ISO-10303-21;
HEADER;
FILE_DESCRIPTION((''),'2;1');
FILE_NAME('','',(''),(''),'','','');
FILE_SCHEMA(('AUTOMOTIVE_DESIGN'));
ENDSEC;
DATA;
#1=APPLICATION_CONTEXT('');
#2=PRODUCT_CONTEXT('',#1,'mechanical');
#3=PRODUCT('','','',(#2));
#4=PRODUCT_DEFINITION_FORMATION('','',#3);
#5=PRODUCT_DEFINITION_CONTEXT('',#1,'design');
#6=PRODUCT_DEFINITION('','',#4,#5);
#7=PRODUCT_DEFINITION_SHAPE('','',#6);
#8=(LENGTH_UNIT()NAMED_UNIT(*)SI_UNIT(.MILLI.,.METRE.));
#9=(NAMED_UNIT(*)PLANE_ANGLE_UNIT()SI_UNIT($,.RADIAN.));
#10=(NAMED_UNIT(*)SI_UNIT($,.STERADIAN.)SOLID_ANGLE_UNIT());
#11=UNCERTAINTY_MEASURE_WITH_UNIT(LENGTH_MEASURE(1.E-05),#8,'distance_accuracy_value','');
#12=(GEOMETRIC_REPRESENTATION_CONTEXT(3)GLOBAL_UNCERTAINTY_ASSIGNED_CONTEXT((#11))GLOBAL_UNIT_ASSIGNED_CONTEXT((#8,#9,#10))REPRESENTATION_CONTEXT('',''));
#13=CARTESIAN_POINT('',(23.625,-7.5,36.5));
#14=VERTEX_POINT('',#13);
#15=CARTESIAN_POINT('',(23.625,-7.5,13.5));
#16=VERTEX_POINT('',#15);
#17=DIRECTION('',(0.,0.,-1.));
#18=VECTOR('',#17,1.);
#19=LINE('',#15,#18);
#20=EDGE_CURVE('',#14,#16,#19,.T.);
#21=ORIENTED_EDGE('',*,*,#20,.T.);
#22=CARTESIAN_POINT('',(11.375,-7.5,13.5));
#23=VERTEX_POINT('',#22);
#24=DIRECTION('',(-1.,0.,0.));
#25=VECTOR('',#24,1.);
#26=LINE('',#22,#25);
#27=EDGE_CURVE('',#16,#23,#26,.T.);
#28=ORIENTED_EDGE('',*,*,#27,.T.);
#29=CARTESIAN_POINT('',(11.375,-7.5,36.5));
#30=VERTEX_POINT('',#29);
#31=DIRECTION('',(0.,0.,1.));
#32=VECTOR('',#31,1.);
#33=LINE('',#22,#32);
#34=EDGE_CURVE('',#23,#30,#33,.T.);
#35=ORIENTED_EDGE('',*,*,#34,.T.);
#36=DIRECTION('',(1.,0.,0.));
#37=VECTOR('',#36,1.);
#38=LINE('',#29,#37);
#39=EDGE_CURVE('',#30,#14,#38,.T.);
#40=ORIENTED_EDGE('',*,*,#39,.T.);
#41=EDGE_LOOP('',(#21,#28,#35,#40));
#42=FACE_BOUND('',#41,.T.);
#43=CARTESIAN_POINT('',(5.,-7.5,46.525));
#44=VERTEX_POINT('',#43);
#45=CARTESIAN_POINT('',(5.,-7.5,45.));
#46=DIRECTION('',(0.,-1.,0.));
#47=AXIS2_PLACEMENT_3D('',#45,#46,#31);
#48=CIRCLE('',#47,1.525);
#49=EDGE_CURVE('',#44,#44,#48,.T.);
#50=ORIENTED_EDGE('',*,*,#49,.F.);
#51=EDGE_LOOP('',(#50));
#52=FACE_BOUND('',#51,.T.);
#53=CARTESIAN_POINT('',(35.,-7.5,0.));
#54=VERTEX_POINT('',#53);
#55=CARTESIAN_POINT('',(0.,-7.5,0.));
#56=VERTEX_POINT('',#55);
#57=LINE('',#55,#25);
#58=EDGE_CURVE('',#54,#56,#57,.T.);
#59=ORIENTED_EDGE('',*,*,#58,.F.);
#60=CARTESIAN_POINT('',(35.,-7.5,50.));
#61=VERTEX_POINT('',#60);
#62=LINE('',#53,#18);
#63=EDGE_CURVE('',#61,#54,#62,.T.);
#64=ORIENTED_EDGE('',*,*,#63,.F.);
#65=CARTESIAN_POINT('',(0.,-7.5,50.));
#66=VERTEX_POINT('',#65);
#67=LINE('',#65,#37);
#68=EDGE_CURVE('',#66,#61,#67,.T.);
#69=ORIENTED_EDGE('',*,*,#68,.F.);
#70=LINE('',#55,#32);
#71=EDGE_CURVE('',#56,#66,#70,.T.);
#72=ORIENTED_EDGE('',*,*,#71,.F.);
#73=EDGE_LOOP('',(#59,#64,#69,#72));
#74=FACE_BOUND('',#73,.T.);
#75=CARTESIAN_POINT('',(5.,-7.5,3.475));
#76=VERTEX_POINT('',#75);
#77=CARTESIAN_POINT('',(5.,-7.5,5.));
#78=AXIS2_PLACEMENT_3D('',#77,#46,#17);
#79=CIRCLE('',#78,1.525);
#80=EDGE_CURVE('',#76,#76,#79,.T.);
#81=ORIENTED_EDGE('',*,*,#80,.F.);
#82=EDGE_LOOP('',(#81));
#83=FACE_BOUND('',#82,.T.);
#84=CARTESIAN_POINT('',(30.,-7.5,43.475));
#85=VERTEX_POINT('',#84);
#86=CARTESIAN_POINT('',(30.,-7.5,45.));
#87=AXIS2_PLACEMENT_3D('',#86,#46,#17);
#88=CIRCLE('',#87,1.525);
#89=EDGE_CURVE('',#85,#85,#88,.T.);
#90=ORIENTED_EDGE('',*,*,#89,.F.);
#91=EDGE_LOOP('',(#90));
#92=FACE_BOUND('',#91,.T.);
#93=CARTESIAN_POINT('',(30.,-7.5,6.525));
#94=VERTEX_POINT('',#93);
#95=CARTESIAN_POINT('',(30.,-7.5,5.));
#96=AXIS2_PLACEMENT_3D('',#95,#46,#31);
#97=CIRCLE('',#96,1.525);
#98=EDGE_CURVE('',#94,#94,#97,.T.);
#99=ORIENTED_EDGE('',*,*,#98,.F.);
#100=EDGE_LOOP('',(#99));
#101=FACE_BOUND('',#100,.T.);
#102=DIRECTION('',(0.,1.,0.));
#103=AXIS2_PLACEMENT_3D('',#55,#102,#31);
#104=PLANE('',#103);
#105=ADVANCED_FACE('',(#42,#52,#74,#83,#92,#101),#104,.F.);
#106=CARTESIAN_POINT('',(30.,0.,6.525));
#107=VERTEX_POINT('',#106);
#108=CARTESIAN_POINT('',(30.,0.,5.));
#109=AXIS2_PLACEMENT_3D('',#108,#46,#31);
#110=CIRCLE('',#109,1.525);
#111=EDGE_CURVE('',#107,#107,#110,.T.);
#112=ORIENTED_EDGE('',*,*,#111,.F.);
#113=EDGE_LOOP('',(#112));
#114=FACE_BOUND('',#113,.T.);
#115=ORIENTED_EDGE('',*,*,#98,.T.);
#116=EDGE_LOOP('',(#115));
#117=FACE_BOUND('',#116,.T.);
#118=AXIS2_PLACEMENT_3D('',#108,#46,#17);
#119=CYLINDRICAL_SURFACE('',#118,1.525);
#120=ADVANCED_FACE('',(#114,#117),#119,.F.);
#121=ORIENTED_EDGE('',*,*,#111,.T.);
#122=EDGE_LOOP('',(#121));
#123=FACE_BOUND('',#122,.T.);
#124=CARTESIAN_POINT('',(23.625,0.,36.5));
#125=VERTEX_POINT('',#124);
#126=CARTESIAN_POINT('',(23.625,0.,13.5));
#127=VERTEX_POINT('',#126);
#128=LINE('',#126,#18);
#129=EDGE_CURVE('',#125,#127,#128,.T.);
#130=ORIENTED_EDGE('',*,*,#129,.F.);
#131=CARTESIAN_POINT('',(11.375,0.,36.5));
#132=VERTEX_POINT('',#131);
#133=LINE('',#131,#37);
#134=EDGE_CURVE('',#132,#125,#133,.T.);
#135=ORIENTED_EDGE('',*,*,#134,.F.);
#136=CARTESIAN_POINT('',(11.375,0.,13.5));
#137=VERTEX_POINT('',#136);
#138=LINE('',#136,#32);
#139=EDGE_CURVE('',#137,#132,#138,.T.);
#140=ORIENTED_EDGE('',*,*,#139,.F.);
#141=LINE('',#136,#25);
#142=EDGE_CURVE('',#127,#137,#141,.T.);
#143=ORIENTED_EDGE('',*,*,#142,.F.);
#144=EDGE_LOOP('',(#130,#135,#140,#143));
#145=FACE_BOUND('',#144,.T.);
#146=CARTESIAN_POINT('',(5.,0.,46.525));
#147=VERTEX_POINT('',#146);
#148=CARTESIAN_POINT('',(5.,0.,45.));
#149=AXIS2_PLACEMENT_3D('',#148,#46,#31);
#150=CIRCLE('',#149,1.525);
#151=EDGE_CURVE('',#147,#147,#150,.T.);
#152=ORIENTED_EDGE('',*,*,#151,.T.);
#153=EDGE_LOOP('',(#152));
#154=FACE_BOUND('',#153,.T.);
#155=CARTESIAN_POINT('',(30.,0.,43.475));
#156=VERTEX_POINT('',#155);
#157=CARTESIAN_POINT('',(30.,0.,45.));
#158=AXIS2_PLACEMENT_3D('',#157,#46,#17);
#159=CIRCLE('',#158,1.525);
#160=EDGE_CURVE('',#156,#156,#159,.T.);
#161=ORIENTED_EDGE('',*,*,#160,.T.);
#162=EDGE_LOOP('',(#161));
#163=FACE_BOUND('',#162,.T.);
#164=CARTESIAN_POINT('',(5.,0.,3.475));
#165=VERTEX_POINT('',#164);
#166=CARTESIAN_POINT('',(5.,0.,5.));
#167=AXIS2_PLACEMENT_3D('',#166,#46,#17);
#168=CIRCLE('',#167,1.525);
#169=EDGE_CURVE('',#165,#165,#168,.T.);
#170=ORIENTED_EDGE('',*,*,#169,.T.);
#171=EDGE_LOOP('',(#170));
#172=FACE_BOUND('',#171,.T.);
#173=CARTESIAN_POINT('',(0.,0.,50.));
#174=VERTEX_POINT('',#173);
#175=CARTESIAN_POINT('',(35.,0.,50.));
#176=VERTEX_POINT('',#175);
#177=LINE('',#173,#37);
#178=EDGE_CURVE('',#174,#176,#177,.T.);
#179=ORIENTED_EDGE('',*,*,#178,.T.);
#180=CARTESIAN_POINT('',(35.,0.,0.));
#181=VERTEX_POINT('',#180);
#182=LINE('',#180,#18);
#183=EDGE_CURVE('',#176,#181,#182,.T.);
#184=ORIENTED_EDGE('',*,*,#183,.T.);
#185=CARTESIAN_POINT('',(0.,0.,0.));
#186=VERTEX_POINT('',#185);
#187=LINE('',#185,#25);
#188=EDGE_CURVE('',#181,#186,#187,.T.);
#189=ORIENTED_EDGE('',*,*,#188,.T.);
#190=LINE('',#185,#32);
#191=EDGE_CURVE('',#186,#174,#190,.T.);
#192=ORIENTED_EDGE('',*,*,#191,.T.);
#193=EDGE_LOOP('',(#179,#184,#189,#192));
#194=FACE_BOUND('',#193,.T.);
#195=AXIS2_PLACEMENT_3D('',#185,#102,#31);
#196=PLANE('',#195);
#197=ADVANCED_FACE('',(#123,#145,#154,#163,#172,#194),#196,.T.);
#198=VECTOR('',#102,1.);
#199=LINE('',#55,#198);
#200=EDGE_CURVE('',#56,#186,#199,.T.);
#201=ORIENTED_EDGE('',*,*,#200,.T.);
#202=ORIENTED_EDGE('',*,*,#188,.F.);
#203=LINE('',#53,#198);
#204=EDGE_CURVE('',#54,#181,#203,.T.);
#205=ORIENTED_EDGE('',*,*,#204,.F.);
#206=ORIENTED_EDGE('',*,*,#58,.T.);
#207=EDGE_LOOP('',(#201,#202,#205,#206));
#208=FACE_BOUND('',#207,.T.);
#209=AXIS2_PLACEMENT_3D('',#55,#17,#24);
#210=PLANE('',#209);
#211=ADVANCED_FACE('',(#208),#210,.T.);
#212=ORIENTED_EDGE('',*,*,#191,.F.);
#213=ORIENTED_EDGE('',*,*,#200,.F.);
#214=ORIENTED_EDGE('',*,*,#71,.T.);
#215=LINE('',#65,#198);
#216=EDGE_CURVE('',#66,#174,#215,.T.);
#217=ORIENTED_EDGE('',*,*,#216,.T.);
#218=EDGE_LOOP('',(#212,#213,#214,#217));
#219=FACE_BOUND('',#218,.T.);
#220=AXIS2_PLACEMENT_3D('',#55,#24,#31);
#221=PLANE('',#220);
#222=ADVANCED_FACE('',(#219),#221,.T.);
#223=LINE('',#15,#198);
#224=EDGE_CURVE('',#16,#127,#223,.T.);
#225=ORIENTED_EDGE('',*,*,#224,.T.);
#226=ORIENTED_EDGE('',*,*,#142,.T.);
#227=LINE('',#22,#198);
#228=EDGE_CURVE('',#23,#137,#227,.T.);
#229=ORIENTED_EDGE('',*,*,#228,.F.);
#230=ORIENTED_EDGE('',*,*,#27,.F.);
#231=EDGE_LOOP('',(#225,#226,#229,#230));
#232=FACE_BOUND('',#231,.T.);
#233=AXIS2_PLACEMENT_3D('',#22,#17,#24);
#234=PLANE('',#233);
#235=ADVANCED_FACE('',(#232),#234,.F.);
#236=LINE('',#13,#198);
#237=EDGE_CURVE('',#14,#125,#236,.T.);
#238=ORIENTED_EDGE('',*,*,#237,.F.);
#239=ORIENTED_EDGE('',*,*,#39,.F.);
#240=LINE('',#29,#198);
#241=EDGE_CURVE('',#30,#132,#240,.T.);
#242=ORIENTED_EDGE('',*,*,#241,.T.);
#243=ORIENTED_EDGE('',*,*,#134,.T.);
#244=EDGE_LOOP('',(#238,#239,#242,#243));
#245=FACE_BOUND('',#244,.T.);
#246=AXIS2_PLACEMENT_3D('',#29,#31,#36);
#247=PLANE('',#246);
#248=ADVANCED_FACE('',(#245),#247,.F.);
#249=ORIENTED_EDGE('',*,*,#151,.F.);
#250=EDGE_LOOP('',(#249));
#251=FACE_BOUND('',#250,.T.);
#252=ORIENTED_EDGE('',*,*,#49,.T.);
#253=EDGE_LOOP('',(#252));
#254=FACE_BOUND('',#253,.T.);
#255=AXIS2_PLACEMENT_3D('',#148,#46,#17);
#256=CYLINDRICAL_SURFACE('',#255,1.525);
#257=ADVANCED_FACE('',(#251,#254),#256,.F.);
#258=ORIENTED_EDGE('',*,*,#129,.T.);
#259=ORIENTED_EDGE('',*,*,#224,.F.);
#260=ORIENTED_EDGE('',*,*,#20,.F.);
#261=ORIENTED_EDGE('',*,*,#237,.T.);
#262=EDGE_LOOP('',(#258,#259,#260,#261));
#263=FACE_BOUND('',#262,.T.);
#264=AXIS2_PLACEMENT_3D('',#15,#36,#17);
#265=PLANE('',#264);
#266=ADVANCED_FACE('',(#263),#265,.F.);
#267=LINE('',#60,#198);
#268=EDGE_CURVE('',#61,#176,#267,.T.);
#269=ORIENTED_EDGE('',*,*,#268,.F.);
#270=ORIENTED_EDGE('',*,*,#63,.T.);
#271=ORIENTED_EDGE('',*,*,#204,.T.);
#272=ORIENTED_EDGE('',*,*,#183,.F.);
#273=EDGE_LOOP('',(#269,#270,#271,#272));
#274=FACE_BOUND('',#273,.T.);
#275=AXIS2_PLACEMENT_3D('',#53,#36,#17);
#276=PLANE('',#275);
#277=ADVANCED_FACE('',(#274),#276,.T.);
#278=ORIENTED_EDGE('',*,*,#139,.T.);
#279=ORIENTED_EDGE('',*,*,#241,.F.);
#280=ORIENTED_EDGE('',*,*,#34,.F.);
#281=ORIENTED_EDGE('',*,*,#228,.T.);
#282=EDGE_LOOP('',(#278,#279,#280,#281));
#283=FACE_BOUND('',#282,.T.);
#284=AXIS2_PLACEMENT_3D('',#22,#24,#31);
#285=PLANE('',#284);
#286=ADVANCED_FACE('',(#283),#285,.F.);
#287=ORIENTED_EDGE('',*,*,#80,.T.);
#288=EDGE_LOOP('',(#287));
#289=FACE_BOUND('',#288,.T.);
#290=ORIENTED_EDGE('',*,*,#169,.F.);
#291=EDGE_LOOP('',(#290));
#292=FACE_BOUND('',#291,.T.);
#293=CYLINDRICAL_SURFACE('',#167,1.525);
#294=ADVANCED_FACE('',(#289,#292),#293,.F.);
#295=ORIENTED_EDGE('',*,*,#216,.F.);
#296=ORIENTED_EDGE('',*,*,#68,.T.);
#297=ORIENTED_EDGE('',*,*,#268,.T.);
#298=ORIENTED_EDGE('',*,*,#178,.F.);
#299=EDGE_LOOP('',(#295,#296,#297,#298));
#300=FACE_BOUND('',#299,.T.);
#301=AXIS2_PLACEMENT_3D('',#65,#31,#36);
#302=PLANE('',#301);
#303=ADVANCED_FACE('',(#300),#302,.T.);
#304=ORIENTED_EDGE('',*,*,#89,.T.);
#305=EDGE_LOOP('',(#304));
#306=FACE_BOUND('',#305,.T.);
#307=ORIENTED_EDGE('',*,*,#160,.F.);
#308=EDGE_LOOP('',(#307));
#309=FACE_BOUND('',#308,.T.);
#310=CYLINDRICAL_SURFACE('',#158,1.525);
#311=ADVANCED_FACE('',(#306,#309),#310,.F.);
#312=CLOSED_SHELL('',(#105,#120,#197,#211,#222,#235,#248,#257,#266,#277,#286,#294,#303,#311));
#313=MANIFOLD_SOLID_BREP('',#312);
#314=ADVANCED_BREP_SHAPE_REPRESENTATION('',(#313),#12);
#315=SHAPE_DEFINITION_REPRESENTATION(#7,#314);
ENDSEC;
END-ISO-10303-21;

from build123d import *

# Parameters (mm, degrees)
SKETCH_1_W          = 35
SKETCH_1_H          = 50
SKETCH_1_W_2        = 12.25
SKETCH_1_H_2        = 23
EXTRUDE_2_DEPTH     = 7.5
SKETCH_2_R          = 1.525
CUT_EXTRUDE_1_DEPTH = 62.491869381


with BuildPart() as part:
    # 草图1 → 凸台-拉伸2 (new body)
    with BuildSketch(Plane(origin=(0, 0, 0), x_dir=(1, 0, 0), z_dir=(0, 1, 0))):
        with Locations((17.5, -25)):
            Rectangle(SKETCH_1_W, SKETCH_1_H)
        with Locations((17.5, -25)):
            Rectangle(SKETCH_1_W_2, SKETCH_1_H_2, mode=Mode.SUBTRACT)
    extrude(amount=-EXTRUDE_2_DEPTH)

    # 草图2 → 切除-拉伸1 (cut, through all)
    with BuildSketch(Plane.XZ.offset(7.5)):
        with Locations(Location((5, 5, 0), (0, 0, 270))):
            Circle(SKETCH_2_R)
        with Locations(Location((5, 45, 0), (0, 0, 90))):
            Circle(SKETCH_2_R)
        with Locations(Location((30, 45, 0), (0, 0, 270))):
            Circle(SKETCH_2_R)
        with Locations(Location((30, 5, 0), (0, 0, 90))):
            Circle(SKETCH_2_R)
    extrude(amount=-CUT_EXTRUDE_1_DEPTH, mode=Mode.SUBTRACT)


solid = part.part
